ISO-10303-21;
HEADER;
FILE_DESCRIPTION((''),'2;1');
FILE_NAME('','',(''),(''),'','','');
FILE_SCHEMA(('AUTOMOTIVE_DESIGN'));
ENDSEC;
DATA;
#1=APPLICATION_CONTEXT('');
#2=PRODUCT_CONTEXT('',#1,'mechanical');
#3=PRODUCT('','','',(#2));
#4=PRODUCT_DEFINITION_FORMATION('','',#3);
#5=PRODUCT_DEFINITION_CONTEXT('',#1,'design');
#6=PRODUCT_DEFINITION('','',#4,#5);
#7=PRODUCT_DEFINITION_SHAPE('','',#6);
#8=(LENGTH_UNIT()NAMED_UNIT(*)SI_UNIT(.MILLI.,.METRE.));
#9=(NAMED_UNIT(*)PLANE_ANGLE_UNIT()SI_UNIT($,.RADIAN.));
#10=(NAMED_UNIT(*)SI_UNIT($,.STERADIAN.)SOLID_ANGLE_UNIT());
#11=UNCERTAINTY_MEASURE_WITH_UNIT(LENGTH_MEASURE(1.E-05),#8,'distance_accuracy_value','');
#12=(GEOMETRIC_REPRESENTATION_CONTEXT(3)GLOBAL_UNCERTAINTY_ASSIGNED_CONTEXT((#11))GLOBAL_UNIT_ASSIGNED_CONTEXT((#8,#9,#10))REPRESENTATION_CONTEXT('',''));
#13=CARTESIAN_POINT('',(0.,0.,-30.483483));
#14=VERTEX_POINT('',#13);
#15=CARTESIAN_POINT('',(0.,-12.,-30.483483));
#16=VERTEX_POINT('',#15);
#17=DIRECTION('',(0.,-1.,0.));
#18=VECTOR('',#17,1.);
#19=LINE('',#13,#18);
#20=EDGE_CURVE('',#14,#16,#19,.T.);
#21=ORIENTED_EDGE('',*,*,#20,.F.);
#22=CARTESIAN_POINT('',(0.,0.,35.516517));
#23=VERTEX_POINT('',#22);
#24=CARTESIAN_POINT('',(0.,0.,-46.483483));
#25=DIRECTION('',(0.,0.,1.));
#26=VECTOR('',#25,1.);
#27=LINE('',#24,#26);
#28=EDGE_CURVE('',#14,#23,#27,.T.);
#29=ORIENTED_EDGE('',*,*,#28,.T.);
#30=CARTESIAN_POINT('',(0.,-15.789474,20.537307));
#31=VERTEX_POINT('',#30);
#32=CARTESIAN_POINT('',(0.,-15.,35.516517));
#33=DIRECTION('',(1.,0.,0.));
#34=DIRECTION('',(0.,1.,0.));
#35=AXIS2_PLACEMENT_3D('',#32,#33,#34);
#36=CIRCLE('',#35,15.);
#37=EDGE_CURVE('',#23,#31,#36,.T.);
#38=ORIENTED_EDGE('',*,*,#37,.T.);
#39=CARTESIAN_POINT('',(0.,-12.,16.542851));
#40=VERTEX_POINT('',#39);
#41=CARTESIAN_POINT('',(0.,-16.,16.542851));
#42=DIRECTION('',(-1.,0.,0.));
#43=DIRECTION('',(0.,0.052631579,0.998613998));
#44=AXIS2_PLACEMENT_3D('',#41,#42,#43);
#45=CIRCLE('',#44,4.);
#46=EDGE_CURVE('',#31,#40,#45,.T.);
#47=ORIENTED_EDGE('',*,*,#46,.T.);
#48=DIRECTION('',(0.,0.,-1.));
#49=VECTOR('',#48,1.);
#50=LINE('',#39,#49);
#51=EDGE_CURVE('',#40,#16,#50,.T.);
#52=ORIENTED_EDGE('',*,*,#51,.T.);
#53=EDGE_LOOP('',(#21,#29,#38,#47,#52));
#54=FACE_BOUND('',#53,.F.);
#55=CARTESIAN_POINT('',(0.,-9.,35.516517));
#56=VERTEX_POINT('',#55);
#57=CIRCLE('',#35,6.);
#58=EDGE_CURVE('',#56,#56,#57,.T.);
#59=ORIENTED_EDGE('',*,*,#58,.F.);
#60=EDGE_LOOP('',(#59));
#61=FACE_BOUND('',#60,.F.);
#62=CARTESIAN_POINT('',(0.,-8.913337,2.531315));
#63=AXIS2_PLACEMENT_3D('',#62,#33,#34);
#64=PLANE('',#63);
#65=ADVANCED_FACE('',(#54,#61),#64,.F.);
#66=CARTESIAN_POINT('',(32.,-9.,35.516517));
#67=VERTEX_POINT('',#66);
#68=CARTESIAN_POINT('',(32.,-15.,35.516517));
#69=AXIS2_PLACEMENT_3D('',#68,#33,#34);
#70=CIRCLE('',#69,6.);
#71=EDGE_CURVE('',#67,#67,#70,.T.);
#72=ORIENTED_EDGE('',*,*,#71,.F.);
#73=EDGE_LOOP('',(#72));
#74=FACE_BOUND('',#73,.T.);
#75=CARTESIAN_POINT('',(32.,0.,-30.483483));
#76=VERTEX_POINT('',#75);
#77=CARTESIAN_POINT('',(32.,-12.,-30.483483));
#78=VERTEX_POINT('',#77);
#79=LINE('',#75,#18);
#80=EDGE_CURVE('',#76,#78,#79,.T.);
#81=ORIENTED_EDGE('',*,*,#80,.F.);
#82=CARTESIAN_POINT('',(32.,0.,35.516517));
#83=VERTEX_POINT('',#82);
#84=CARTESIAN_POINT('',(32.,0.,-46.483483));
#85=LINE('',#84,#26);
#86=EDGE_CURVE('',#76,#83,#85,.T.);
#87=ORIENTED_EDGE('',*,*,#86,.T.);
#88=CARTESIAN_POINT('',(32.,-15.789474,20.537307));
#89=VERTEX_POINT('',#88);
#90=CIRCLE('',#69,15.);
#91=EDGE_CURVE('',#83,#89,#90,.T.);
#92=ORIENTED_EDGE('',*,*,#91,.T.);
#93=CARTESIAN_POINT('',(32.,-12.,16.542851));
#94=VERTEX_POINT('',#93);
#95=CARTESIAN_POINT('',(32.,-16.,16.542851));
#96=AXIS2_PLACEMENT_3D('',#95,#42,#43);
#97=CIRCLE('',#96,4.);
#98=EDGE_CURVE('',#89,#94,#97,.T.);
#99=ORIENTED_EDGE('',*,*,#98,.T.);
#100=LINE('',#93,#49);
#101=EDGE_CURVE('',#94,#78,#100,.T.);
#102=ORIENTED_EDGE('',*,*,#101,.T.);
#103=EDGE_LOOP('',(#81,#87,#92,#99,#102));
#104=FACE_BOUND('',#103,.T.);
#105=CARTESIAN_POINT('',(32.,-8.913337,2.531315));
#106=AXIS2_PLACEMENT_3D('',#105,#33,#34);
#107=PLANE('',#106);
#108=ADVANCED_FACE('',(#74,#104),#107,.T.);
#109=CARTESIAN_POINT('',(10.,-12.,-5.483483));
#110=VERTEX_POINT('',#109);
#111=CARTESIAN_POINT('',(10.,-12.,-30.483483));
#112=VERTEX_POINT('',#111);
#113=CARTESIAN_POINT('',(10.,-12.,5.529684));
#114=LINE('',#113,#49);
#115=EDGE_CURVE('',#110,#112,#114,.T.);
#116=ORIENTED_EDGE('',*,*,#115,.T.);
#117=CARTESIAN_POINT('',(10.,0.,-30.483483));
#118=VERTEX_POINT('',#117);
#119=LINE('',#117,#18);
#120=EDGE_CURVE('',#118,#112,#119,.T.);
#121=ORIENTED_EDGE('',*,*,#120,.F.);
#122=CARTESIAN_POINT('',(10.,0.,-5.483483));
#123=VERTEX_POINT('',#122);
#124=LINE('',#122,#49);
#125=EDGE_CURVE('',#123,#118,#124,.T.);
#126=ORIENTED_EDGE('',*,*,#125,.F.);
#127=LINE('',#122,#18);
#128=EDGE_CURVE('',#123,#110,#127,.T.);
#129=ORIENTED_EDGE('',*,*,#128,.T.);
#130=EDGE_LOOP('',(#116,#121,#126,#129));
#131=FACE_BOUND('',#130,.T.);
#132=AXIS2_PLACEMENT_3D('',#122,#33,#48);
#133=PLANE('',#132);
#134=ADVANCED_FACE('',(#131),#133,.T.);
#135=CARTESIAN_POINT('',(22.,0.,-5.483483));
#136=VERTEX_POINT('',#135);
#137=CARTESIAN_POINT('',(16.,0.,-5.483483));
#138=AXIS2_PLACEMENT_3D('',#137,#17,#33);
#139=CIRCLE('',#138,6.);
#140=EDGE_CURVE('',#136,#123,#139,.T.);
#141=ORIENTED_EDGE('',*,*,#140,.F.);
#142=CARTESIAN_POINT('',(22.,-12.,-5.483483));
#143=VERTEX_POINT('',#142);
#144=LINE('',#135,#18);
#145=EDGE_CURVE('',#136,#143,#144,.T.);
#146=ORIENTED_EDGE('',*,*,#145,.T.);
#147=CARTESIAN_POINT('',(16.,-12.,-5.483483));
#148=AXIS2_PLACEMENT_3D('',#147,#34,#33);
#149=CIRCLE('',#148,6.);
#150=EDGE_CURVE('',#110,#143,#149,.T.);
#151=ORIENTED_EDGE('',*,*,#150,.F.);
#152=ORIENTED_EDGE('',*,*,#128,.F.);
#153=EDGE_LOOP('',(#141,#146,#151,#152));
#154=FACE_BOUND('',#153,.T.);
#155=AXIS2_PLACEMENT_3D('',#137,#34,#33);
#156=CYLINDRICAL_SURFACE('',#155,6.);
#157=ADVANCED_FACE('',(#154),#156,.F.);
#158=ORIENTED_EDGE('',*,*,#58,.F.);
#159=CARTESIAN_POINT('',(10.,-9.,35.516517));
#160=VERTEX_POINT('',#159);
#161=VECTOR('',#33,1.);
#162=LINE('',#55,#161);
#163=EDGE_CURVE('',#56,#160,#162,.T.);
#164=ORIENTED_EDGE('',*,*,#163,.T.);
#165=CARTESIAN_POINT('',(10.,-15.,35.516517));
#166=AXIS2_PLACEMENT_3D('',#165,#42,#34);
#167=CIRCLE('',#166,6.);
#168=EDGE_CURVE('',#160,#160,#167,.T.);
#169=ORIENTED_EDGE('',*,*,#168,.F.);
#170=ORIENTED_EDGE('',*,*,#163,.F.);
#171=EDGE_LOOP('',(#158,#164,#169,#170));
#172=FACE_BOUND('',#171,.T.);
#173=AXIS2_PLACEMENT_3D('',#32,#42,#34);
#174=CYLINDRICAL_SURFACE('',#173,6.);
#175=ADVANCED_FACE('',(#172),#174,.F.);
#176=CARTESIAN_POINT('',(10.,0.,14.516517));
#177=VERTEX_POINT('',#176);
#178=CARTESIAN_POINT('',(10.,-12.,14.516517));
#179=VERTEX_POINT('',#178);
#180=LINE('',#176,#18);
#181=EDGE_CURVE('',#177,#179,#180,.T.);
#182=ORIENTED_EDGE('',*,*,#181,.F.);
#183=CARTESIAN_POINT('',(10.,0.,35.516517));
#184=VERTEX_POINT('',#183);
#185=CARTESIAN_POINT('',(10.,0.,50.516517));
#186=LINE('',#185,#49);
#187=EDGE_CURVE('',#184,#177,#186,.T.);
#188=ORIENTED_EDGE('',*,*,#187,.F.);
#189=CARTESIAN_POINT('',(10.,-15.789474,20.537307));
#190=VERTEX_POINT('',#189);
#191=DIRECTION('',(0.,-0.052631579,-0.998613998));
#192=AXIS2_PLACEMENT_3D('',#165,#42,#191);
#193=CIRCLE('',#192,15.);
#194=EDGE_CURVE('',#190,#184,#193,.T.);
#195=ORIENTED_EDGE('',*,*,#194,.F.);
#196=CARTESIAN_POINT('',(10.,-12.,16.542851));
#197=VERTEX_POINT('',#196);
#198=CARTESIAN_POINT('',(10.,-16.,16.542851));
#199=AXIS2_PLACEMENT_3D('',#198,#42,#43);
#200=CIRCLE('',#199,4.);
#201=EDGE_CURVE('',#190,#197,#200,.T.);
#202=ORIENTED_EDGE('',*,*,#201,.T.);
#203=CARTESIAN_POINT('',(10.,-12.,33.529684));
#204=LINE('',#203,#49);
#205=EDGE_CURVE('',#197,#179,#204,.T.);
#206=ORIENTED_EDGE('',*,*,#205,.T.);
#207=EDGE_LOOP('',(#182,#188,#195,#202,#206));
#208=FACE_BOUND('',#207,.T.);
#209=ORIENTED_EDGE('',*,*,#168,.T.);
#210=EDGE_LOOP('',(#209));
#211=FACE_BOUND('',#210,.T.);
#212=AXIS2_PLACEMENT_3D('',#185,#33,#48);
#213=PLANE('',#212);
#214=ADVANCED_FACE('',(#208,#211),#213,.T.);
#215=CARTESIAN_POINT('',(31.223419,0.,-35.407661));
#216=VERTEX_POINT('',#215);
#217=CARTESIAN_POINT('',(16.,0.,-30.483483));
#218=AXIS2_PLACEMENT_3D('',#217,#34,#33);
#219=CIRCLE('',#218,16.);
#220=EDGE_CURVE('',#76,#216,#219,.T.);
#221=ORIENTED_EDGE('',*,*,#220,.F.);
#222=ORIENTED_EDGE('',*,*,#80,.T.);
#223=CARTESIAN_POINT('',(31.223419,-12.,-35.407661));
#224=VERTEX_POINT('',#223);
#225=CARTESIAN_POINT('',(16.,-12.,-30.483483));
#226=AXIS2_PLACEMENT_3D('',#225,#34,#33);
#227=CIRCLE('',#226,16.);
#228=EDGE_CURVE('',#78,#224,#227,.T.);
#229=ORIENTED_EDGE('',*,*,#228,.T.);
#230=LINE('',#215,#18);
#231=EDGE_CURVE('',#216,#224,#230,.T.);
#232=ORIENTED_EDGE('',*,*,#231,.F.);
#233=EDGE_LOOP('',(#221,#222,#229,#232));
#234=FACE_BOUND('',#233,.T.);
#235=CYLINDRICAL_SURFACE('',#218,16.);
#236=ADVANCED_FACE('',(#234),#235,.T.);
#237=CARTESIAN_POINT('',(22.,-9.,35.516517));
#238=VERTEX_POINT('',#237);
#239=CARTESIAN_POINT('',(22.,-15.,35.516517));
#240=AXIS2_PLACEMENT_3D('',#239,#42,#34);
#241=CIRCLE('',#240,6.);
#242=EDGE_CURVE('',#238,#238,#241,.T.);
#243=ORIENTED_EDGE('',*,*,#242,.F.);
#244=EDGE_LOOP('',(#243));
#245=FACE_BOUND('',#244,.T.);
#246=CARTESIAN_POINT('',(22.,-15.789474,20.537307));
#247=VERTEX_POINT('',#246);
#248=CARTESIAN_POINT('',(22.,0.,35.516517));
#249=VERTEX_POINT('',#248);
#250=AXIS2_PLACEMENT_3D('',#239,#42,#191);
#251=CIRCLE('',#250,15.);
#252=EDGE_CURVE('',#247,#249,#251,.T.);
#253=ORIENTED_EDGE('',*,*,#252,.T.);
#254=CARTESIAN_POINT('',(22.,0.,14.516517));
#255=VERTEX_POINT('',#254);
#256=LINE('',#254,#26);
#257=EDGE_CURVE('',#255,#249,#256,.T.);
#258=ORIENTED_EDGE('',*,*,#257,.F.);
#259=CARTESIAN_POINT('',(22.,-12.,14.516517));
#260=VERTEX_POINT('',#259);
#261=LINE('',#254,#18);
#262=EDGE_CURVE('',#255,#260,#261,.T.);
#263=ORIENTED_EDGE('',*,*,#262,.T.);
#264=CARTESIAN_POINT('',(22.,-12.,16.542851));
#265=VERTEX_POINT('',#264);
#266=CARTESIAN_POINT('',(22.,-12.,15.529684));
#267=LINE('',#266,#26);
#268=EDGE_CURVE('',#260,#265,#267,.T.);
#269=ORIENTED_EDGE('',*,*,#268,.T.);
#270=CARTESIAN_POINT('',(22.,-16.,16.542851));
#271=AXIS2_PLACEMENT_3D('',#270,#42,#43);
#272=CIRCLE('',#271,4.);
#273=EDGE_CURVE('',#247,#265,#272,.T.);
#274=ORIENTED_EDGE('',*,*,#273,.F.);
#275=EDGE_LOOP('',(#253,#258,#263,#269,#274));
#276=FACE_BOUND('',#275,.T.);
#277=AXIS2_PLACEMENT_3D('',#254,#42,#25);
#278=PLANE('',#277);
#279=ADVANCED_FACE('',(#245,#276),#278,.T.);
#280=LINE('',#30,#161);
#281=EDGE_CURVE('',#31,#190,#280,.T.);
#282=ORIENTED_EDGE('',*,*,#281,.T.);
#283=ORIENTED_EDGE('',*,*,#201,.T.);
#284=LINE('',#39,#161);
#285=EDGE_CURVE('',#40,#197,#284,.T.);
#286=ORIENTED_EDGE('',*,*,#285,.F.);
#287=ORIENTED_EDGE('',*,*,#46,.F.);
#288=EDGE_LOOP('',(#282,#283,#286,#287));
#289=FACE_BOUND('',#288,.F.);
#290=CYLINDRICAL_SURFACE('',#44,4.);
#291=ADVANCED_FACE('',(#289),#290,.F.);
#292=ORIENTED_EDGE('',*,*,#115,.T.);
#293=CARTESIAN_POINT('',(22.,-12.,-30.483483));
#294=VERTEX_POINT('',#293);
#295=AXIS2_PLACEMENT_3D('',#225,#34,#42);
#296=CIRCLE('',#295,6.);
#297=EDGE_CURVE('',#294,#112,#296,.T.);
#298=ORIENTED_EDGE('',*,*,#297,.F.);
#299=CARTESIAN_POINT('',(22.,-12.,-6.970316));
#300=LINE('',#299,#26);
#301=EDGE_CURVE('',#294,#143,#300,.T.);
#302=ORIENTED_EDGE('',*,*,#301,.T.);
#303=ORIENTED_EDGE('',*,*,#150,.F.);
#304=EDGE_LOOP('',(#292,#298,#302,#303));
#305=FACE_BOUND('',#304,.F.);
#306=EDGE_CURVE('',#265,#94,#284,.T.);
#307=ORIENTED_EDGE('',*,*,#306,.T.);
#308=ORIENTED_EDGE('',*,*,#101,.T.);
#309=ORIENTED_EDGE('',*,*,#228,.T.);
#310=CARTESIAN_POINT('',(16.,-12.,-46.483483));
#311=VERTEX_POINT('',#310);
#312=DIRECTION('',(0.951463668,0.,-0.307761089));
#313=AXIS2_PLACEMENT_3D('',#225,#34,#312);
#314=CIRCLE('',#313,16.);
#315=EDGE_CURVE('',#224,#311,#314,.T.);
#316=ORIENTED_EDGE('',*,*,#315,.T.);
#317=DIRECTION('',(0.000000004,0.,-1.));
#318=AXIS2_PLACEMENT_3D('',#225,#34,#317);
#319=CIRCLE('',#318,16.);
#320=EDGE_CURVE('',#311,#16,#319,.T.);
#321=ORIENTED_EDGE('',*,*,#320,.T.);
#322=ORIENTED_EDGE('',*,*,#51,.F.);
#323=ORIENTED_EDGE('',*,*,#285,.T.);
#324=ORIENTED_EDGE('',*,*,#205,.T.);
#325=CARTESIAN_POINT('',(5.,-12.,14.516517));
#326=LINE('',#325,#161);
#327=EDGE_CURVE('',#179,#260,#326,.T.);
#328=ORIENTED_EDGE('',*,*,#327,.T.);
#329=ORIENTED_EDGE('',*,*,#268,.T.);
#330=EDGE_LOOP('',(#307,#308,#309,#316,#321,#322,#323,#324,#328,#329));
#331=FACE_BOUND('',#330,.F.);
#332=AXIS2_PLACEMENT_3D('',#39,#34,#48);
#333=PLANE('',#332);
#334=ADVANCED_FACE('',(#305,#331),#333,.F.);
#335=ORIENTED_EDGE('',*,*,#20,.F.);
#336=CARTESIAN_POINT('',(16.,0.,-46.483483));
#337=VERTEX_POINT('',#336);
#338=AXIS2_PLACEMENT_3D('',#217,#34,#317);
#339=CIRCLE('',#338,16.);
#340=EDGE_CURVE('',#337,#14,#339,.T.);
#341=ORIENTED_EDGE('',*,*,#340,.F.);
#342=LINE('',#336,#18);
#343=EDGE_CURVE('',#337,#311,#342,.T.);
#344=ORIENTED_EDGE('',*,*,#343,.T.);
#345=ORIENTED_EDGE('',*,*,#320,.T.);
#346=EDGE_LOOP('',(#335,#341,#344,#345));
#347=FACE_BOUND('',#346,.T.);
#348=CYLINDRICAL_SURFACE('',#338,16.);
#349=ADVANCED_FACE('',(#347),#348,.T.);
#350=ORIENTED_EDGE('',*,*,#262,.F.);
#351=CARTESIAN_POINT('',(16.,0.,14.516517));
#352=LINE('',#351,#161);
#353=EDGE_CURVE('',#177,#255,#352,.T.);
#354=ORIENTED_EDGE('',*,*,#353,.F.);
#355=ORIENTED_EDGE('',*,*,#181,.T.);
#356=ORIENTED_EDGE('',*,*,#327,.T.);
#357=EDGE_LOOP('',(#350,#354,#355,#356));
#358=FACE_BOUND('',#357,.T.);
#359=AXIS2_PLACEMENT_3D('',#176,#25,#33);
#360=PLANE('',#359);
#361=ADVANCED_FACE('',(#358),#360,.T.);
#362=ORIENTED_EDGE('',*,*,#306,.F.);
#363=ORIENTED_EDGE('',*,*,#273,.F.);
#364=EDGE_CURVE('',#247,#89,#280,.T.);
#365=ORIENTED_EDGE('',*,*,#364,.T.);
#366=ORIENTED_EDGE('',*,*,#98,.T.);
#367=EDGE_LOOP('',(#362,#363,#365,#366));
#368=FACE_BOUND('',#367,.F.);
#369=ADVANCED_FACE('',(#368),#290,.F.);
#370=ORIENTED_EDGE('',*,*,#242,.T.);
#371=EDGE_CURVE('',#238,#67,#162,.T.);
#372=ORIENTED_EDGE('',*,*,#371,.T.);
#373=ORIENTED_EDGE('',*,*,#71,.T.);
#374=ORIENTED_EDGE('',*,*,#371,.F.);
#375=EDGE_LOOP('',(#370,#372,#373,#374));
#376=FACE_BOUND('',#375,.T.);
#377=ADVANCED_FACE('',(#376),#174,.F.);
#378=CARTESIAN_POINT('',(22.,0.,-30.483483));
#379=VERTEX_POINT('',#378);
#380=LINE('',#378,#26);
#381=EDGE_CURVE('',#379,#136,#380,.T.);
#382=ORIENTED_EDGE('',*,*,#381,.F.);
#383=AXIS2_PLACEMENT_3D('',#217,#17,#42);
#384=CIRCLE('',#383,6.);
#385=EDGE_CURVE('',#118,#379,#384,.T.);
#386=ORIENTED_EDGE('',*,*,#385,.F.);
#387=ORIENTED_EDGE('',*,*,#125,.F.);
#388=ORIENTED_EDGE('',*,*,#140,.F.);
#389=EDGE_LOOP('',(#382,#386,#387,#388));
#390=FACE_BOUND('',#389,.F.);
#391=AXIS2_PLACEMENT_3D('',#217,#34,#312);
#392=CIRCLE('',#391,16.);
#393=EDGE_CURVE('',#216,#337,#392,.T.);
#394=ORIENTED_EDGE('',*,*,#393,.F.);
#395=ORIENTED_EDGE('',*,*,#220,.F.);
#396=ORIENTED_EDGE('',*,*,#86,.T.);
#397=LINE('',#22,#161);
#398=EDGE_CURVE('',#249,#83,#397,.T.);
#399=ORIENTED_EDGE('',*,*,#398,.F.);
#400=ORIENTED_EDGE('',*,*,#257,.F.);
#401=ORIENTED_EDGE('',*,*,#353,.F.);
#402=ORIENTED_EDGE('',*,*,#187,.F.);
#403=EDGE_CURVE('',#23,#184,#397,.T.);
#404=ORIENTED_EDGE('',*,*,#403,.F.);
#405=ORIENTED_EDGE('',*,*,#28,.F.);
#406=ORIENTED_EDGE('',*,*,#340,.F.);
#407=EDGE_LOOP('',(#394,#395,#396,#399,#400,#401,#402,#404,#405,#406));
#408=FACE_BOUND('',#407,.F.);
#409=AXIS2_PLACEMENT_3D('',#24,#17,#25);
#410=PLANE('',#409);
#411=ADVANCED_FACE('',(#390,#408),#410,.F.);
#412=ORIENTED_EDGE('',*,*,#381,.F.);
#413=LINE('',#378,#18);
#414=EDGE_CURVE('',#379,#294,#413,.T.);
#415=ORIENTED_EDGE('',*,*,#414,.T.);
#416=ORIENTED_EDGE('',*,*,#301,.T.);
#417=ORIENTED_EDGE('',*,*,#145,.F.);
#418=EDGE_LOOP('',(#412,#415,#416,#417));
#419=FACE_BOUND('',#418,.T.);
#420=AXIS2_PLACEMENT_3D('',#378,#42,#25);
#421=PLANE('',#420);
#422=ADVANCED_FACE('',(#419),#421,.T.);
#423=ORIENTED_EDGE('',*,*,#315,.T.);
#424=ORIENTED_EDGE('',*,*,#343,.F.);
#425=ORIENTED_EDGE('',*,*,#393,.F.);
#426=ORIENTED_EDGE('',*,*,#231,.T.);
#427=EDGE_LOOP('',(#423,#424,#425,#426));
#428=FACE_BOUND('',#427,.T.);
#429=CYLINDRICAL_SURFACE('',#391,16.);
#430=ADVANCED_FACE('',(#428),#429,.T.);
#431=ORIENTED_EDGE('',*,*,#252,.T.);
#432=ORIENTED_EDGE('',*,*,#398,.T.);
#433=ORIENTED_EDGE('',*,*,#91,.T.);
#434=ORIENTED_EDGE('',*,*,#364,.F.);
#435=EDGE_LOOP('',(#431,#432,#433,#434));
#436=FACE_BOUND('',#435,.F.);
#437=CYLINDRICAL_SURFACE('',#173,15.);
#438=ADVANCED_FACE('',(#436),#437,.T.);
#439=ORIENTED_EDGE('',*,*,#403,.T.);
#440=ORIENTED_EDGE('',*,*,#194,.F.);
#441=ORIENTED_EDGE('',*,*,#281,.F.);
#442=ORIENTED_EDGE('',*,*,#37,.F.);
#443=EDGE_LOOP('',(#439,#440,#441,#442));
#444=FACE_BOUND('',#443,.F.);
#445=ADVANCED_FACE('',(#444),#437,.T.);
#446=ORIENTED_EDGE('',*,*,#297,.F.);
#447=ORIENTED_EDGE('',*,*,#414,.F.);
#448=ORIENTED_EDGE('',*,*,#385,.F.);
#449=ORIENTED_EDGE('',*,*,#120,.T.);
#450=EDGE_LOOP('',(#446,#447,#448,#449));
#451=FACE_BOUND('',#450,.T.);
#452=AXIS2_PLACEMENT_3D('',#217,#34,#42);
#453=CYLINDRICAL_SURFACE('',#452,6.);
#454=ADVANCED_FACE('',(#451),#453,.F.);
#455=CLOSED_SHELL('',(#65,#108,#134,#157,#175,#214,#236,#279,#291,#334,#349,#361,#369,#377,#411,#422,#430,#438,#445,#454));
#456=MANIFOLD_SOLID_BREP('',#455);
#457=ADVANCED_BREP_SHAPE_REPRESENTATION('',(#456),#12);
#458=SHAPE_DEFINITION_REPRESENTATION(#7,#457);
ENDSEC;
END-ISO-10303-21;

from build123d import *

# Parameters (mm, degrees)
F0_R     = 6
F1_DEPTH = 32
F2_W     = 12
F2_H     = 15
F2_H_2   = 2.026334039
F3_DEPTH = 30.001


with BuildPart() as f1:
    # F0 (on Right) → F1 (new body)
    with BuildSketch(Plane.YZ):
        with BuildLine():
            Line((0, -46.4834831254), (0, 35.5165168746))
            ThreePointArc((0, 35.5165168746), (-25.3237080242, 46.3986606262), (-15.7894736842, 20.5373069054))
            ThreePointArc((-15.7894736842, 20.5373069054), (-13.0980949996, 19.29583972), (-12, 16.5428509136))
            Line((-12, 16.5428509136), (-12, -46.4834831254))
            Line((-12, -46.4834831254), (0, -46.4834831254))
        make_face()
        with Locations((-15, 35.5165168746)):
            Circle(F0_R, mode=Mode.SUBTRACT)
    extrude(amount=F1_DEPTH)

    # F2 (on Front) → F3 (cut, through all)
    with BuildSketch(Plane.XZ):
        Polygon((10, 16.5428509136), (22, 16.5428509136), (22, 35.5165168746), (10, 35.5165168746), (10, 20.5373069054), align=None)
        with Locations((16, 43.0165168746)):
            Rectangle(F2_W, F2_H)
        with Locations((16, 15.5296838941)):
            Rectangle(F2_W, F2_H_2)
        with BuildLine():
            Line((10, -5.4834831254), (10, -30.4834831254))
            ThreePointArc((10, -30.4834831254), (16, -36.4834831254), (22, -30.4834831254))
            Line((22, -30.4834831254), (22, -5.4834831254))
            ThreePointArc((22, -5.4834831254), (16, 0.5165168746), (10, -5.4834831254))
        make_face()
        with BuildLine():
            Line((16.0000000715, -46.4834831254), (32, -46.4834831254))
            Line((32, -46.4834831254), (32, -30.4834831254))
            ThreePointArc((32, -30.4834831254), (31.8046622717, -32.9760020276), (31.2234186903, -35.4076605573))
            ThreePointArc((31.2234186903, -35.4076605573), (25.4131068776, -43.4215439891), (16.0000000715, -46.4834831254))
        make_face()
        with BuildLine():
            Line((0, -46.4834831254), (16.0000000715, -46.4834831254))
            ThreePointArc((16.0000000715, -46.4834831254), (4.6862915263, -41.7971916497), (0, -30.4834831254))
            Line((0, -30.4834831254), (0, -46.4834831254))
        make_face()
    extrude(amount=F3_DEPTH, mode=Mode.SUBTRACT)


solid = f1.part
